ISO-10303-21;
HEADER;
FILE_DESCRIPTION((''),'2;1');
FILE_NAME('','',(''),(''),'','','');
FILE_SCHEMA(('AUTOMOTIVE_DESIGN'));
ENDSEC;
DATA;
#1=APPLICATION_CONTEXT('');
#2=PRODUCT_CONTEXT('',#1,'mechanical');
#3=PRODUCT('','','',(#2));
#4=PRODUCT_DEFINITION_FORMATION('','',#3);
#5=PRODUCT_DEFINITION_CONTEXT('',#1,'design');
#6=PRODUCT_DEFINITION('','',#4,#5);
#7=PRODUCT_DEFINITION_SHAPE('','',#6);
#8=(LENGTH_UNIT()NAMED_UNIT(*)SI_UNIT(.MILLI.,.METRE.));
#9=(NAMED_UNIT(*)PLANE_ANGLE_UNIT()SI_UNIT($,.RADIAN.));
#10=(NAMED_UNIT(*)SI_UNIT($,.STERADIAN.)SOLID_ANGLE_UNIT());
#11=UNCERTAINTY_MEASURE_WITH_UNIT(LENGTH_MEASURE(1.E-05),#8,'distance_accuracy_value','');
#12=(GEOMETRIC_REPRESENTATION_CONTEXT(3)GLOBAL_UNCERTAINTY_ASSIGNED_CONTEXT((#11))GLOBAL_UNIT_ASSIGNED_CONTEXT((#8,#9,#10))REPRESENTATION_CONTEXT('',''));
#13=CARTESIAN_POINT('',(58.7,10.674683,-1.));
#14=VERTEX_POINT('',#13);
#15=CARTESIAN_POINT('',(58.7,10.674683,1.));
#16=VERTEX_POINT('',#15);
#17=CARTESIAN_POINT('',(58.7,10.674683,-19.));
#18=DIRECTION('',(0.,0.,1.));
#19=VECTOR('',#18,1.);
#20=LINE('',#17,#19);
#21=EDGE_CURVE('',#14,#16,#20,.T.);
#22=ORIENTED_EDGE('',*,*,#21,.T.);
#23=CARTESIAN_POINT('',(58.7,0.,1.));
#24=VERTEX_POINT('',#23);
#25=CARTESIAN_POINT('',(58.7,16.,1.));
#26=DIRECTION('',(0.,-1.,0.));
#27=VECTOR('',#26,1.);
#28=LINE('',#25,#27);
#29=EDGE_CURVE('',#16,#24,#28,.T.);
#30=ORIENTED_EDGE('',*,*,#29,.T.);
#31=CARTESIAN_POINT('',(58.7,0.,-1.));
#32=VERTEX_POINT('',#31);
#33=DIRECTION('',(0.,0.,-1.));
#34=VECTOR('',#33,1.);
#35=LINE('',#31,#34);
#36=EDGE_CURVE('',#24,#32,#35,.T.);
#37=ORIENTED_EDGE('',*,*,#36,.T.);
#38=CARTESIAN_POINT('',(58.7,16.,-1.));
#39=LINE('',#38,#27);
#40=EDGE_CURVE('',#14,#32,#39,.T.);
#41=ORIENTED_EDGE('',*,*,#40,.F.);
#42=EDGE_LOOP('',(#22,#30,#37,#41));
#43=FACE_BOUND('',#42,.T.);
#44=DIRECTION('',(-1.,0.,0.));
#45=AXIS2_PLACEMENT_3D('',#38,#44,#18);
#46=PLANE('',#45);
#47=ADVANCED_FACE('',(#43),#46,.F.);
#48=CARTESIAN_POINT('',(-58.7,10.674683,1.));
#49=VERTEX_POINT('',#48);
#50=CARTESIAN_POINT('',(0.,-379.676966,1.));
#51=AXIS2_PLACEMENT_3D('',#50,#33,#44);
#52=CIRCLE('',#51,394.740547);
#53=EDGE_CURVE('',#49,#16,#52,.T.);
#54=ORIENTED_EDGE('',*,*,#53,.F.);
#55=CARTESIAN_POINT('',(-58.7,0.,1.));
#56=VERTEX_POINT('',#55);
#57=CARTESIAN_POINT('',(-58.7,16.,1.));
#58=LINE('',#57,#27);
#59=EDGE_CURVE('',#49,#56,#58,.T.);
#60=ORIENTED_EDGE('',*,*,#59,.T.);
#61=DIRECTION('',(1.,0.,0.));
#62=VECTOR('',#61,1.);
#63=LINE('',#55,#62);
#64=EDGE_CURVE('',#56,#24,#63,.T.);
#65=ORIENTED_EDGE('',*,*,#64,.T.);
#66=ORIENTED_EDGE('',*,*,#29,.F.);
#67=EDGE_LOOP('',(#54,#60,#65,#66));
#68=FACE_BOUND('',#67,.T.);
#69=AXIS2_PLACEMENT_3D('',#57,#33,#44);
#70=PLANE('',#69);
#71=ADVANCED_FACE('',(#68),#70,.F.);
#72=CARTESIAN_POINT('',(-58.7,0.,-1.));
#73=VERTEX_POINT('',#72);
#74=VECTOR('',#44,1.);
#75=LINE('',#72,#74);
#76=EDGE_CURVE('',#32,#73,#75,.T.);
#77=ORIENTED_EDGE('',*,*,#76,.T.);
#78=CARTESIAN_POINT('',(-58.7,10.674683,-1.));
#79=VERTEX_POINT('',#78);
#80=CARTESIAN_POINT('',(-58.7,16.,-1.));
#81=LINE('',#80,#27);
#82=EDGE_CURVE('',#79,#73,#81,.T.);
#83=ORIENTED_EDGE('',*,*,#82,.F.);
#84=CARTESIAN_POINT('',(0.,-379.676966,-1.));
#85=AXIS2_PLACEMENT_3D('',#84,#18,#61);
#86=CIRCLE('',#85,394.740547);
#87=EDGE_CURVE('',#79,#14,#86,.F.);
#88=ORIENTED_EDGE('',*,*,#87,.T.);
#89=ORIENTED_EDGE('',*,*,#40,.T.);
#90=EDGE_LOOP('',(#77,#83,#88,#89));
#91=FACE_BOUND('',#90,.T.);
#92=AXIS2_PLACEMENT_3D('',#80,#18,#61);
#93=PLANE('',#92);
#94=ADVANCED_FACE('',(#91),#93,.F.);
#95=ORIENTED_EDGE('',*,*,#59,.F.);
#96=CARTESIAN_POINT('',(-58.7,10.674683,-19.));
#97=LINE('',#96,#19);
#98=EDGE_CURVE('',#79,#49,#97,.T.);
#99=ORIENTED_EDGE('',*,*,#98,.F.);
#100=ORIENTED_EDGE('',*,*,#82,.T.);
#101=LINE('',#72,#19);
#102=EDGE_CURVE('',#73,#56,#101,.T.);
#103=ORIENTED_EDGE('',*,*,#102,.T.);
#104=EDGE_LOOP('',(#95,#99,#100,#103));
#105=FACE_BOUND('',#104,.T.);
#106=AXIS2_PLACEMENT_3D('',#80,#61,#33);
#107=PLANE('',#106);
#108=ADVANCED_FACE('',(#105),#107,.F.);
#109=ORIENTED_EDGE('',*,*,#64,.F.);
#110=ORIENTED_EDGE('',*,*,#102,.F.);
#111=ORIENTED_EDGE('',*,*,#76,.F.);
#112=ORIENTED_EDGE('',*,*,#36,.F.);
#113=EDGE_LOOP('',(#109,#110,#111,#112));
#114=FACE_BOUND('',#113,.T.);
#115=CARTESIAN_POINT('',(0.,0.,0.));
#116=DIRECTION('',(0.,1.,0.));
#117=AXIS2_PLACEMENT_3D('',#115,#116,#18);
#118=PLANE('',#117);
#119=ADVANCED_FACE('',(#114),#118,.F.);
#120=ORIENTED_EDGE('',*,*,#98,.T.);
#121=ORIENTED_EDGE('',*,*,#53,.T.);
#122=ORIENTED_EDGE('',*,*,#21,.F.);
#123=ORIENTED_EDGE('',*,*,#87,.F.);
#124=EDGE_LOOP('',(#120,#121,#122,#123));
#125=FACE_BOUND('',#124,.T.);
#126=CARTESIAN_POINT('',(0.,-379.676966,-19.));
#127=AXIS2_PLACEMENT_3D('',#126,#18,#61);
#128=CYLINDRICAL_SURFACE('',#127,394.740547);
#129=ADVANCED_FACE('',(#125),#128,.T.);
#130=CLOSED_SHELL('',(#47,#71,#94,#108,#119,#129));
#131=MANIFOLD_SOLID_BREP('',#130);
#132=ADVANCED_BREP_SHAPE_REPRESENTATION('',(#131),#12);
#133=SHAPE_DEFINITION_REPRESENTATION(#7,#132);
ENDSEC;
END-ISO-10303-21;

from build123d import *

# Parameters (mm, degrees)
SKETCH1_W           = 117.4
SKETCH1_H           = 2
BOSS_EXTRUDE1_DEPTH = 16
CUT_EXTRUDE1_DEPTH  = 20


with BuildPart() as part:
    # Sketch1 → Boss-Extrude1 (new body)
    with BuildSketch(Plane(origin=(0, 0, 0), x_dir=(1, 0, 0), z_dir=(0, 1, 0))):
        Rectangle(SKETCH1_W, SKETCH1_H)
    extrude(amount=BOSS_EXTRUDE1_DEPTH)

    # Sketch2 → Cut-Extrude1 (cut)
    with BuildSketch(Plane.XY.offset(1)):
        with BuildLine():
            Line((-58.7, 10.674682783), (-58.7, 16))
            Line((-58.7, 16), (58.7, 16))
            Line((58.7, 16), (58.7, 10.674682783))
            ThreePointArc((58.7, 10.674682783), (0, 15.063581336), (-58.7, 10.674682783))
        make_face()
    extrude(amount=-CUT_EXTRUDE1_DEPTH, mode=Mode.SUBTRACT)


solid = part.part
